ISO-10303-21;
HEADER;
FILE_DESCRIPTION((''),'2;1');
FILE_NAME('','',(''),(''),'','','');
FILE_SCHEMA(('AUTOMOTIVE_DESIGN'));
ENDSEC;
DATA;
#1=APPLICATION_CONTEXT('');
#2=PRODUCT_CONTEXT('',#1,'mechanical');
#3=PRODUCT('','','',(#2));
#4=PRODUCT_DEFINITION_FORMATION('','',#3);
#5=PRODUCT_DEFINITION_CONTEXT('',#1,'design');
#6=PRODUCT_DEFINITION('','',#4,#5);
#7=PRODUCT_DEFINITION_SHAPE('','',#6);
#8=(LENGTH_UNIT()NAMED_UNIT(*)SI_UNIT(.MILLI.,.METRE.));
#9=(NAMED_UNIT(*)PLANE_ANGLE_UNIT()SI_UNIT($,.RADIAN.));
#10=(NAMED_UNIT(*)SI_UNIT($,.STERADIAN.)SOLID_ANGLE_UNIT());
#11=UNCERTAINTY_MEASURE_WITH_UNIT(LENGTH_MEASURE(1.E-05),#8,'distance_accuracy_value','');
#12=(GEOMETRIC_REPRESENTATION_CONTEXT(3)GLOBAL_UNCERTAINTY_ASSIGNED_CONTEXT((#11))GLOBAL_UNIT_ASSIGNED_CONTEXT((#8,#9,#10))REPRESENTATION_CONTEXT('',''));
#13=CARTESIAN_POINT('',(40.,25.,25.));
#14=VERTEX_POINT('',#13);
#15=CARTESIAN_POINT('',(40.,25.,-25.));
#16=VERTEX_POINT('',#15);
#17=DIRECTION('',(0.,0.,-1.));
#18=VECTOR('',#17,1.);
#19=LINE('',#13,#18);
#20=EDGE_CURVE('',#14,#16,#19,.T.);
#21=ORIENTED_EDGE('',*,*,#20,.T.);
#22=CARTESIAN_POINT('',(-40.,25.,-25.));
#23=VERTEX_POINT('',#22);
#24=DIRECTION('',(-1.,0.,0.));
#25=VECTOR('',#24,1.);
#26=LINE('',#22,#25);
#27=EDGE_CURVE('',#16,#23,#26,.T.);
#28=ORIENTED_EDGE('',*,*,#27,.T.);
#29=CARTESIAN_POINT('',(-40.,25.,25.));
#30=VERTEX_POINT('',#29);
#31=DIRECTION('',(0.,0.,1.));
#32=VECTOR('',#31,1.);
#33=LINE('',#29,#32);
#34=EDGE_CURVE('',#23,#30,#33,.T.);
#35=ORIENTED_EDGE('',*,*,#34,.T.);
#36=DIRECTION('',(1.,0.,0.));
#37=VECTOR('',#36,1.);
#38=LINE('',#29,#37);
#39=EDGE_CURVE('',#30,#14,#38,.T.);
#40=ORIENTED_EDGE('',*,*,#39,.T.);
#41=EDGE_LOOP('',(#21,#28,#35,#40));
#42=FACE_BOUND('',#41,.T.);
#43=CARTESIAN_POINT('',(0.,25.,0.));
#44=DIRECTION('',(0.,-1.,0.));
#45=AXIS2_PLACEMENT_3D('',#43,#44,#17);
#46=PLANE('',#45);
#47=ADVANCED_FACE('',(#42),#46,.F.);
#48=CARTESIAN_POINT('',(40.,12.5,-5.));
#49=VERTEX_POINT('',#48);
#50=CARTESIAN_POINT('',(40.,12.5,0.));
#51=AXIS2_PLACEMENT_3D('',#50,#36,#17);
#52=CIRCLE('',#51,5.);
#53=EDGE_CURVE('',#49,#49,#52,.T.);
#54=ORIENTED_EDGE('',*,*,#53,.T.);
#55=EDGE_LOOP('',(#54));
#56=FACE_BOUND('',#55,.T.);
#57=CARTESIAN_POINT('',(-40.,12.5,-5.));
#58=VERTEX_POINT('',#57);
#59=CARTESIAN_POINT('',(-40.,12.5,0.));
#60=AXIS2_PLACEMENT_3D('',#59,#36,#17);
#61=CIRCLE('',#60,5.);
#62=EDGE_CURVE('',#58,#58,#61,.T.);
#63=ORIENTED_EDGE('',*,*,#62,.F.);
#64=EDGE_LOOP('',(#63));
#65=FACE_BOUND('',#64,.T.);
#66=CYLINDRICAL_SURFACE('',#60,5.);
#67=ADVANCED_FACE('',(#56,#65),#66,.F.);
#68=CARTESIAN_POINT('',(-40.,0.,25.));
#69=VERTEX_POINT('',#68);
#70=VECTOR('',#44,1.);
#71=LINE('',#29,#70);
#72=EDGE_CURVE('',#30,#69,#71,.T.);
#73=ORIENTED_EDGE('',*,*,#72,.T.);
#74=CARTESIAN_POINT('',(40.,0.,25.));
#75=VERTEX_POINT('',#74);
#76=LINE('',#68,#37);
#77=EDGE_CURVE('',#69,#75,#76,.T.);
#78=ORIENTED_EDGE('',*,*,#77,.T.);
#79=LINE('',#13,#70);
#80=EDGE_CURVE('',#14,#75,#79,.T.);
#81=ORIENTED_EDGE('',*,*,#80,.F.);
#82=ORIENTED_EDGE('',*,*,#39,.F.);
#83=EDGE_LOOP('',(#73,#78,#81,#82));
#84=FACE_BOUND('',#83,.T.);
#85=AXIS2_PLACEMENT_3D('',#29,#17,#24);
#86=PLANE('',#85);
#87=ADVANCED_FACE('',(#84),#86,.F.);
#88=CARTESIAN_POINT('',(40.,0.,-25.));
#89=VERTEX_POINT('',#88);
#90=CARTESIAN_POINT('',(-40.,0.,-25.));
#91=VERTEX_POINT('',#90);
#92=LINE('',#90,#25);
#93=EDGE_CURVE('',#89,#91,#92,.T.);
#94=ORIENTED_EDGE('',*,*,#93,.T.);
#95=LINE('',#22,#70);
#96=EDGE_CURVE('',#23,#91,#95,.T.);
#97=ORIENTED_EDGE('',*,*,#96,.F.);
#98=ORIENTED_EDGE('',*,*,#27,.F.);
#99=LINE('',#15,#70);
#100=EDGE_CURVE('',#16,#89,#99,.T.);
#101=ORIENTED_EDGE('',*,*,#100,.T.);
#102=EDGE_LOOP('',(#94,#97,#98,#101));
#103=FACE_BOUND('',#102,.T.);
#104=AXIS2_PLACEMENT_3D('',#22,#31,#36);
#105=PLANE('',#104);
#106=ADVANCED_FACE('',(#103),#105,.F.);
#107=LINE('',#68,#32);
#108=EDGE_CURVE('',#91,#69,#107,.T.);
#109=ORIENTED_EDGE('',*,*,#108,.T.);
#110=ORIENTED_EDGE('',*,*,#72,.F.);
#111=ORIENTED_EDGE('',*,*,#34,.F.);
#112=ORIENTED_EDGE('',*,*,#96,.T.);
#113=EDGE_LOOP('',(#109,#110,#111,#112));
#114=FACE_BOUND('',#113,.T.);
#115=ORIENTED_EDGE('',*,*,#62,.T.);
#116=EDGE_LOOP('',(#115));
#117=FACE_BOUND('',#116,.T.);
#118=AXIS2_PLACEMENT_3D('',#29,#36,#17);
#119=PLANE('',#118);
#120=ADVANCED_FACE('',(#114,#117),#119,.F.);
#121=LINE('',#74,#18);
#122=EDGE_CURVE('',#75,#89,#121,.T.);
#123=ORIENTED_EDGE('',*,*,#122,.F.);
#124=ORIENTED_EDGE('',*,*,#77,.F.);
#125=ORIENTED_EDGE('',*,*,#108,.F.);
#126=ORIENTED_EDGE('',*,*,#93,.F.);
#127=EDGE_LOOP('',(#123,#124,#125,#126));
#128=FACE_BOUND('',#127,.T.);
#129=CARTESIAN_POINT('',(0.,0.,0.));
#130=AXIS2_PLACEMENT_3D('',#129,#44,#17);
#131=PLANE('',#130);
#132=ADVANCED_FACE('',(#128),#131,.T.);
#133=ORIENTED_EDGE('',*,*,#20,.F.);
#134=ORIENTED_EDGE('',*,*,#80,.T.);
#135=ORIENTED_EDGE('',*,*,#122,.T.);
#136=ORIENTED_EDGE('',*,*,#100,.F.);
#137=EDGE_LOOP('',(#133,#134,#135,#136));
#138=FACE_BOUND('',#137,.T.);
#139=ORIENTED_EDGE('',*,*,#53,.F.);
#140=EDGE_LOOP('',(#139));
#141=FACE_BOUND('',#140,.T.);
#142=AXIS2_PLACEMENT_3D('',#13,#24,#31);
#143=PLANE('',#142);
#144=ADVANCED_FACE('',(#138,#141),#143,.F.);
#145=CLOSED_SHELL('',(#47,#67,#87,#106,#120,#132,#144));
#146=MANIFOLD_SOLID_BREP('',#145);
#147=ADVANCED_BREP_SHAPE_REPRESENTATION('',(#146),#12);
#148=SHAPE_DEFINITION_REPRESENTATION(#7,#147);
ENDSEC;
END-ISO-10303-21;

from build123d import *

# Parameters (mm, degrees)
SKETCH1_W               = 80
SKETCH1_H               = 50
BOSS_EXTRUDE1_DEPTH     = 25
CUT_EXTRUDE1_DEPTH      = 54.38539126
CUT_EXTRUDE1_DEPTH_BACK = 54.38539126
SKETCH2_R               = 5


with BuildPart() as part:
    # Sketch1 → Boss-Extrude1 (new body)
    with BuildSketch(Plane(origin=(0, 0, 0), x_dir=(1, 0, 0), z_dir=(0, 1, 0))):
        Rectangle(SKETCH1_W, SKETCH1_H)
    extrude(amount=BOSS_EXTRUDE1_DEPTH)

    # Sketch2 → Cut-Extrude1 (cut, two sides: drawn at the far end of the back side and taken through both)
    with BuildSketch(Plane(origin=(0, 0, 0), x_dir=(0, 0, -1), z_dir=(1, 0, 0)).offset(-CUT_EXTRUDE1_DEPTH_BACK)):
        with Locations((0, 12.5)):
            Circle(SKETCH2_R)
    extrude(amount=CUT_EXTRUDE1_DEPTH + CUT_EXTRUDE1_DEPTH_BACK, mode=Mode.SUBTRACT)


solid = part.part
